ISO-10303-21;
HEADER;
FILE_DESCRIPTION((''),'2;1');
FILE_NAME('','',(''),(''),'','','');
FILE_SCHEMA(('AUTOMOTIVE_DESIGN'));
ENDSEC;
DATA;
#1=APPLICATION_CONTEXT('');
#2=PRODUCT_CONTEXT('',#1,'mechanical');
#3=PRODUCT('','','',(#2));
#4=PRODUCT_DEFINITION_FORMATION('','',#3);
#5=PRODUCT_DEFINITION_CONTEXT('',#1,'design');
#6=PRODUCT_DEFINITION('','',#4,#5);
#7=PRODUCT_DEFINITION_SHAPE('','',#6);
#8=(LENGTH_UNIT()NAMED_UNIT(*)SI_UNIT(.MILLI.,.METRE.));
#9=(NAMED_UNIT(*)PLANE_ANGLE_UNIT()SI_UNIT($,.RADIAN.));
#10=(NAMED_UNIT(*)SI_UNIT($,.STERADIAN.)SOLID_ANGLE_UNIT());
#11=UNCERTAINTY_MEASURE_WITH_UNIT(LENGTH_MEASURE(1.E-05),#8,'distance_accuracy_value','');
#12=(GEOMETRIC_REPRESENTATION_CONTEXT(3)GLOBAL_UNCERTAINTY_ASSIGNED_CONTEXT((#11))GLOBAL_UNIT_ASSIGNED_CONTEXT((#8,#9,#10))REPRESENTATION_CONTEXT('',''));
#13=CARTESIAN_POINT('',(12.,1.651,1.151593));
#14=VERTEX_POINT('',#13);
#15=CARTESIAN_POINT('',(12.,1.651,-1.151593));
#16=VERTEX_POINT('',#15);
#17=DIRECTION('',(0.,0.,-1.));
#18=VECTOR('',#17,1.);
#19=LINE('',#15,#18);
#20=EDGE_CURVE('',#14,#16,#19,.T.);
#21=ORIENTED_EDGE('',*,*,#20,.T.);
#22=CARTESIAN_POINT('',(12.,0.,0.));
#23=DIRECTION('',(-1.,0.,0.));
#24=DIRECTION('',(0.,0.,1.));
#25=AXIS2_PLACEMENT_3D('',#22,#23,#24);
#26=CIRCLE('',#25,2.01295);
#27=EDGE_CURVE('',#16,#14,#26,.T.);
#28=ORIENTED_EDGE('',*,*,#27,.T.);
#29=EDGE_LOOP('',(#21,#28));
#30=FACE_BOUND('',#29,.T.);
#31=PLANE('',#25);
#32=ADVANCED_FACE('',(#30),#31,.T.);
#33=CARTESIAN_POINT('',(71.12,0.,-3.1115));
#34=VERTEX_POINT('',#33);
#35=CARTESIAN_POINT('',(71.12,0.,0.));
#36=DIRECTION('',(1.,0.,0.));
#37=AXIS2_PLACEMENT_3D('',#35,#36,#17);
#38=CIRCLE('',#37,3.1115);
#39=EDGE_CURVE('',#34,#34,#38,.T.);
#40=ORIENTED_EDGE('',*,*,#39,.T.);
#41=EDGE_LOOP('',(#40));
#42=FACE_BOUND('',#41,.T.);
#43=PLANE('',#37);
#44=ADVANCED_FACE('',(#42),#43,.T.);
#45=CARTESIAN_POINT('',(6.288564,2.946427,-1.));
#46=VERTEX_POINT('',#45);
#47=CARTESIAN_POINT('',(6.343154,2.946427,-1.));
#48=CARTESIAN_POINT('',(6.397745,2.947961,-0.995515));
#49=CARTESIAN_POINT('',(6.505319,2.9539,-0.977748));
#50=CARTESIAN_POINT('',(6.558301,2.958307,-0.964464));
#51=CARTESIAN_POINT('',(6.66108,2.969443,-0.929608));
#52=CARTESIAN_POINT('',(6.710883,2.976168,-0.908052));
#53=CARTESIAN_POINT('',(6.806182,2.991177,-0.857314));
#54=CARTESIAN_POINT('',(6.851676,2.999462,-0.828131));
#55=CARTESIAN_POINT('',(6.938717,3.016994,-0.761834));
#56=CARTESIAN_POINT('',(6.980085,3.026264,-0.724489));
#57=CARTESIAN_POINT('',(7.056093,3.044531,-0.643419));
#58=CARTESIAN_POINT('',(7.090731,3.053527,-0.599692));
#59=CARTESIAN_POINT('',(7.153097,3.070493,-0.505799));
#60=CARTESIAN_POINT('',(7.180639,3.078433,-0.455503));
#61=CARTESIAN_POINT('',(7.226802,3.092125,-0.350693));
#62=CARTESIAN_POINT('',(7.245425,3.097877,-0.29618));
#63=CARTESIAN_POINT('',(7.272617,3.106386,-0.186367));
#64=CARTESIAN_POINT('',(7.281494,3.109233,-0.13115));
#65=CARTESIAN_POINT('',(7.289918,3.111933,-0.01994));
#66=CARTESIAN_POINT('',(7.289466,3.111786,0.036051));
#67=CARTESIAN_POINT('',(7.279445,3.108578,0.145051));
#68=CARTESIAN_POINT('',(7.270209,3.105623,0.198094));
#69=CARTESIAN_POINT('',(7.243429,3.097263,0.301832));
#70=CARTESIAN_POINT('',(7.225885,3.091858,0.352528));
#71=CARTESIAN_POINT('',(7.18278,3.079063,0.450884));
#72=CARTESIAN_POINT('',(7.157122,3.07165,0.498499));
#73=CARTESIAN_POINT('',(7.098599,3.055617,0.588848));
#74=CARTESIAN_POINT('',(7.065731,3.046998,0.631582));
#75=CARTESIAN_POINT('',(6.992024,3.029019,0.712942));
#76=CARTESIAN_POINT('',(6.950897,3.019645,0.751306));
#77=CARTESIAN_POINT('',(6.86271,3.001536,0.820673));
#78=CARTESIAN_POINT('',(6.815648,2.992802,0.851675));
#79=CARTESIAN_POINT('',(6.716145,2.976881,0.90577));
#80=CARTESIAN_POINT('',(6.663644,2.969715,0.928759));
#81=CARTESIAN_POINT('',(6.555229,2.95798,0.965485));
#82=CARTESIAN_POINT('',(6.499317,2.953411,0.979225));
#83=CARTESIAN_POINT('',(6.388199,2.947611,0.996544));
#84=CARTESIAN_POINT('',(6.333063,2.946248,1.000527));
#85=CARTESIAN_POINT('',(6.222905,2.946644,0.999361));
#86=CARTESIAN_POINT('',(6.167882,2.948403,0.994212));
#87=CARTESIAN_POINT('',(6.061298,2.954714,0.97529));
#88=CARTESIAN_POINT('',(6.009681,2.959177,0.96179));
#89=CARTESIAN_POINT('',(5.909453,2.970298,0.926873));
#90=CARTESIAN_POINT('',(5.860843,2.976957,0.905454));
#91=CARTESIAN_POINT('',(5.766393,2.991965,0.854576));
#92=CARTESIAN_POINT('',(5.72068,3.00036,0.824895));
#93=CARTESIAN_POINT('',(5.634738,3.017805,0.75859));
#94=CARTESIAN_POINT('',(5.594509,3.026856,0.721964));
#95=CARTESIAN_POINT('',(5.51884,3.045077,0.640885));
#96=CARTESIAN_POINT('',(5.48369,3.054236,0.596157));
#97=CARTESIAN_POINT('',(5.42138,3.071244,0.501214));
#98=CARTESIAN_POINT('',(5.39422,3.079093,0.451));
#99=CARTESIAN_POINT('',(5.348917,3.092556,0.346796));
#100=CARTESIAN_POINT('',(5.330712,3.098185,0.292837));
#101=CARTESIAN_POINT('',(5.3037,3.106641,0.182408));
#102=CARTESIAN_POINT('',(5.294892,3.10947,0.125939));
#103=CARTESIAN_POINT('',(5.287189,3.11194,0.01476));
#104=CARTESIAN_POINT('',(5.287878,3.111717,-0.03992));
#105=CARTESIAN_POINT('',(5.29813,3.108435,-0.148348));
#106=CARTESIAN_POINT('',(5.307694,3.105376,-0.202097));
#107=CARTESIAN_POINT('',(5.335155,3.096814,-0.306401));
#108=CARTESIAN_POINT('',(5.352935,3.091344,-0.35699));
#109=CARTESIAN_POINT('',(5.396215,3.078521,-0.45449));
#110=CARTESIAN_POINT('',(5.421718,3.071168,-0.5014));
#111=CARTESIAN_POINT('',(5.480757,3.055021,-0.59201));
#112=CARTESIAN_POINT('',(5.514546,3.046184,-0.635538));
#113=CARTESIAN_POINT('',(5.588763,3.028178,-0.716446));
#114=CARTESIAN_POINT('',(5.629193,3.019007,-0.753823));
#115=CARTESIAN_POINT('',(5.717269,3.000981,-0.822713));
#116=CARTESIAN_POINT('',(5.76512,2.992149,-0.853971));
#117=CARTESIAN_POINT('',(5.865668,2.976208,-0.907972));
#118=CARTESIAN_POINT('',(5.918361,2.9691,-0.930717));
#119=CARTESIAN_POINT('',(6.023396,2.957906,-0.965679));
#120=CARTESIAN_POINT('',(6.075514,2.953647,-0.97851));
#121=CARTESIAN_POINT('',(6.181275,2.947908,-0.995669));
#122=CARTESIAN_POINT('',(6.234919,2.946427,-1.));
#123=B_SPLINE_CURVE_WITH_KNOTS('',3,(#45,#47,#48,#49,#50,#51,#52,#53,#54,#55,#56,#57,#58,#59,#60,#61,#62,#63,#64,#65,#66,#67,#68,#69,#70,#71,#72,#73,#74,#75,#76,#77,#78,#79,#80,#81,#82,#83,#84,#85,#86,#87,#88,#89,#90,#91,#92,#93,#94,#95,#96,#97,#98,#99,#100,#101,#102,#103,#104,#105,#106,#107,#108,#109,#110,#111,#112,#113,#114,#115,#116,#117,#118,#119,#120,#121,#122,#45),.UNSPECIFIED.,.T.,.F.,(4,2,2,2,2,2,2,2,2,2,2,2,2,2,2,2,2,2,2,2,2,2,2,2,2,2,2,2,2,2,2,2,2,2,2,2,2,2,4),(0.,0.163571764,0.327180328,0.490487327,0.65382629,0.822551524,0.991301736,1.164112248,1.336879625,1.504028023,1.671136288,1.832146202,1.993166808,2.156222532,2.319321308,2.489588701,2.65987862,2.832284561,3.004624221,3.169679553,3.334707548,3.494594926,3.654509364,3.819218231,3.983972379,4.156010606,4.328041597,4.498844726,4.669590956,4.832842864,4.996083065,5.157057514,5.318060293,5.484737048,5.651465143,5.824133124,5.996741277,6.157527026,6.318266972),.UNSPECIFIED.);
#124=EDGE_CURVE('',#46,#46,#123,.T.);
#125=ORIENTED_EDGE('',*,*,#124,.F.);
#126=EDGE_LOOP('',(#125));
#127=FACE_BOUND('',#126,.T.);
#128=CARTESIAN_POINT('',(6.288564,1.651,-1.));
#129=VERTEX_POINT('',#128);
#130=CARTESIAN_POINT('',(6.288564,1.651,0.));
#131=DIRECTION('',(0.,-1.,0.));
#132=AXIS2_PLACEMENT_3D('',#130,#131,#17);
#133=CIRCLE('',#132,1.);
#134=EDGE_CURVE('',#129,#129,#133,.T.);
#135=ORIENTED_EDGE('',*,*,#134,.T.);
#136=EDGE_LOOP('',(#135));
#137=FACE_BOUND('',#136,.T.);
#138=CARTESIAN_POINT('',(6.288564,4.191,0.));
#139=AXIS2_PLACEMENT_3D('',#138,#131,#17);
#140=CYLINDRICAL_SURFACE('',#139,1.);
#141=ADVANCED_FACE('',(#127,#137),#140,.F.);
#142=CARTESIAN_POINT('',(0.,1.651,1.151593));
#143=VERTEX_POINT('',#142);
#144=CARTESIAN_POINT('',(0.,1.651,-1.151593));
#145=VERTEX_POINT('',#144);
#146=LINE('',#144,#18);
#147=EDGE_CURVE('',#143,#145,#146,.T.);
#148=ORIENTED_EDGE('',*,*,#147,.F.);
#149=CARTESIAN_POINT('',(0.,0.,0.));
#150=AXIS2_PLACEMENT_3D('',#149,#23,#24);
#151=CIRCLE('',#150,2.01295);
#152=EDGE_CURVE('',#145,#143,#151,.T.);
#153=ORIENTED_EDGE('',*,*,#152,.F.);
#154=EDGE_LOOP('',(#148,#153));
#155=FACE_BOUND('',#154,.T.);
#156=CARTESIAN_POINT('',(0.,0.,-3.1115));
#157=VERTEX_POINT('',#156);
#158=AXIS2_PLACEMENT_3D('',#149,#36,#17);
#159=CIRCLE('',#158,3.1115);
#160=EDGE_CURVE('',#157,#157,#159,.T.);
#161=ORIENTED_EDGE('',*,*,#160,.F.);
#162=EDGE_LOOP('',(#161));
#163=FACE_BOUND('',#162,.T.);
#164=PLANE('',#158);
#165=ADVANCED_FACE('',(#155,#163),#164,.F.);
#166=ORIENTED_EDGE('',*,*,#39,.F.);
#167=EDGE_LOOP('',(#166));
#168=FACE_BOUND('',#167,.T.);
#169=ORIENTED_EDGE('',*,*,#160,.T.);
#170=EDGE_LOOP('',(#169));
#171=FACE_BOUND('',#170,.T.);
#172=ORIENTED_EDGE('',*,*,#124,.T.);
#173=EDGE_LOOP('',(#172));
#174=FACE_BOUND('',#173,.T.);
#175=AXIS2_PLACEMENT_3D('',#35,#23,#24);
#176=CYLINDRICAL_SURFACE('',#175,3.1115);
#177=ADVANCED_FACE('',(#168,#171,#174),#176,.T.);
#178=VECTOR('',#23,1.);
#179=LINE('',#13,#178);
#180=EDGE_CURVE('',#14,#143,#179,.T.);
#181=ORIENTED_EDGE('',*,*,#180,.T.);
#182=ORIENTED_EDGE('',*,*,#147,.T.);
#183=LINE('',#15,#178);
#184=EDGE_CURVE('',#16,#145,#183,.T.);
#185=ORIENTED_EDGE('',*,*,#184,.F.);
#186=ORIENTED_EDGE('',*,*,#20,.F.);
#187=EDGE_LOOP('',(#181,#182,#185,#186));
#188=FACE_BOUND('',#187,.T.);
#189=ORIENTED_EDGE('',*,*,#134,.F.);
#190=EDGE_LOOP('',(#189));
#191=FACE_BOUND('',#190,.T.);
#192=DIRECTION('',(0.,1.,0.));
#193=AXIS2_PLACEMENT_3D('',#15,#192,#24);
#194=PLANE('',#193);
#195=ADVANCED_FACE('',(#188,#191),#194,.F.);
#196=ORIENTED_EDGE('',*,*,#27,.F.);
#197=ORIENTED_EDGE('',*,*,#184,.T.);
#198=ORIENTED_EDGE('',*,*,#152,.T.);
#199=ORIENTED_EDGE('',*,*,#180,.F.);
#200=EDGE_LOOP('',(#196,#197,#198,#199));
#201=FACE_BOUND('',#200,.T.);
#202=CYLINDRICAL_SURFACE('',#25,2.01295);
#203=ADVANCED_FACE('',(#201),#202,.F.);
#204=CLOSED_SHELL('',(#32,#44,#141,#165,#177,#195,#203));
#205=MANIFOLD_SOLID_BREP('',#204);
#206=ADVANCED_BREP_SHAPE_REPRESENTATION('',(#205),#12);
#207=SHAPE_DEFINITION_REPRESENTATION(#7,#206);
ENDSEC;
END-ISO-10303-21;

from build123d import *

# Parameters (mm, degrees)
SKETCH1_R           = 3.1115
BOSS_EXTRUDE1_DEPTH = 71.12
CUT_EXTRUDE1_DEPTH  = 12
SKETCH3_R           = 1
CUT_EXTRUDE2_DEPTH  = 2.54


with BuildPart() as part:
    # Sketch1 → Boss-Extrude1 (new body)
    with BuildSketch(Plane(origin=(0, 0, 0), x_dir=(0, 0, -1), z_dir=(1, 0, 0))):
        Circle(SKETCH1_R)
    extrude(amount=BOSS_EXTRUDE1_DEPTH)

    # Sketch2 → Cut-Extrude1 (cut)
    with BuildSketch(Plane.ZY):
        with BuildLine():
            Line((-1.151593115, 1.651), (1.151593115, 1.651))
            ThreePointArc((1.151593115, 1.651), (0, -2.01295), (-1.151593115, 1.651))
        make_face()
    extrude(amount=-CUT_EXTRUDE1_DEPTH, mode=Mode.SUBTRACT)

    # Sketch3 → Cut-Extrude2 (cut)
    with BuildSketch(Plane.XZ.offset(-1.651)):
        with Locations((6.288563634, 0)):
            Circle(SKETCH3_R)
    extrude(amount=-CUT_EXTRUDE2_DEPTH, mode=Mode.SUBTRACT)


solid = part.part
